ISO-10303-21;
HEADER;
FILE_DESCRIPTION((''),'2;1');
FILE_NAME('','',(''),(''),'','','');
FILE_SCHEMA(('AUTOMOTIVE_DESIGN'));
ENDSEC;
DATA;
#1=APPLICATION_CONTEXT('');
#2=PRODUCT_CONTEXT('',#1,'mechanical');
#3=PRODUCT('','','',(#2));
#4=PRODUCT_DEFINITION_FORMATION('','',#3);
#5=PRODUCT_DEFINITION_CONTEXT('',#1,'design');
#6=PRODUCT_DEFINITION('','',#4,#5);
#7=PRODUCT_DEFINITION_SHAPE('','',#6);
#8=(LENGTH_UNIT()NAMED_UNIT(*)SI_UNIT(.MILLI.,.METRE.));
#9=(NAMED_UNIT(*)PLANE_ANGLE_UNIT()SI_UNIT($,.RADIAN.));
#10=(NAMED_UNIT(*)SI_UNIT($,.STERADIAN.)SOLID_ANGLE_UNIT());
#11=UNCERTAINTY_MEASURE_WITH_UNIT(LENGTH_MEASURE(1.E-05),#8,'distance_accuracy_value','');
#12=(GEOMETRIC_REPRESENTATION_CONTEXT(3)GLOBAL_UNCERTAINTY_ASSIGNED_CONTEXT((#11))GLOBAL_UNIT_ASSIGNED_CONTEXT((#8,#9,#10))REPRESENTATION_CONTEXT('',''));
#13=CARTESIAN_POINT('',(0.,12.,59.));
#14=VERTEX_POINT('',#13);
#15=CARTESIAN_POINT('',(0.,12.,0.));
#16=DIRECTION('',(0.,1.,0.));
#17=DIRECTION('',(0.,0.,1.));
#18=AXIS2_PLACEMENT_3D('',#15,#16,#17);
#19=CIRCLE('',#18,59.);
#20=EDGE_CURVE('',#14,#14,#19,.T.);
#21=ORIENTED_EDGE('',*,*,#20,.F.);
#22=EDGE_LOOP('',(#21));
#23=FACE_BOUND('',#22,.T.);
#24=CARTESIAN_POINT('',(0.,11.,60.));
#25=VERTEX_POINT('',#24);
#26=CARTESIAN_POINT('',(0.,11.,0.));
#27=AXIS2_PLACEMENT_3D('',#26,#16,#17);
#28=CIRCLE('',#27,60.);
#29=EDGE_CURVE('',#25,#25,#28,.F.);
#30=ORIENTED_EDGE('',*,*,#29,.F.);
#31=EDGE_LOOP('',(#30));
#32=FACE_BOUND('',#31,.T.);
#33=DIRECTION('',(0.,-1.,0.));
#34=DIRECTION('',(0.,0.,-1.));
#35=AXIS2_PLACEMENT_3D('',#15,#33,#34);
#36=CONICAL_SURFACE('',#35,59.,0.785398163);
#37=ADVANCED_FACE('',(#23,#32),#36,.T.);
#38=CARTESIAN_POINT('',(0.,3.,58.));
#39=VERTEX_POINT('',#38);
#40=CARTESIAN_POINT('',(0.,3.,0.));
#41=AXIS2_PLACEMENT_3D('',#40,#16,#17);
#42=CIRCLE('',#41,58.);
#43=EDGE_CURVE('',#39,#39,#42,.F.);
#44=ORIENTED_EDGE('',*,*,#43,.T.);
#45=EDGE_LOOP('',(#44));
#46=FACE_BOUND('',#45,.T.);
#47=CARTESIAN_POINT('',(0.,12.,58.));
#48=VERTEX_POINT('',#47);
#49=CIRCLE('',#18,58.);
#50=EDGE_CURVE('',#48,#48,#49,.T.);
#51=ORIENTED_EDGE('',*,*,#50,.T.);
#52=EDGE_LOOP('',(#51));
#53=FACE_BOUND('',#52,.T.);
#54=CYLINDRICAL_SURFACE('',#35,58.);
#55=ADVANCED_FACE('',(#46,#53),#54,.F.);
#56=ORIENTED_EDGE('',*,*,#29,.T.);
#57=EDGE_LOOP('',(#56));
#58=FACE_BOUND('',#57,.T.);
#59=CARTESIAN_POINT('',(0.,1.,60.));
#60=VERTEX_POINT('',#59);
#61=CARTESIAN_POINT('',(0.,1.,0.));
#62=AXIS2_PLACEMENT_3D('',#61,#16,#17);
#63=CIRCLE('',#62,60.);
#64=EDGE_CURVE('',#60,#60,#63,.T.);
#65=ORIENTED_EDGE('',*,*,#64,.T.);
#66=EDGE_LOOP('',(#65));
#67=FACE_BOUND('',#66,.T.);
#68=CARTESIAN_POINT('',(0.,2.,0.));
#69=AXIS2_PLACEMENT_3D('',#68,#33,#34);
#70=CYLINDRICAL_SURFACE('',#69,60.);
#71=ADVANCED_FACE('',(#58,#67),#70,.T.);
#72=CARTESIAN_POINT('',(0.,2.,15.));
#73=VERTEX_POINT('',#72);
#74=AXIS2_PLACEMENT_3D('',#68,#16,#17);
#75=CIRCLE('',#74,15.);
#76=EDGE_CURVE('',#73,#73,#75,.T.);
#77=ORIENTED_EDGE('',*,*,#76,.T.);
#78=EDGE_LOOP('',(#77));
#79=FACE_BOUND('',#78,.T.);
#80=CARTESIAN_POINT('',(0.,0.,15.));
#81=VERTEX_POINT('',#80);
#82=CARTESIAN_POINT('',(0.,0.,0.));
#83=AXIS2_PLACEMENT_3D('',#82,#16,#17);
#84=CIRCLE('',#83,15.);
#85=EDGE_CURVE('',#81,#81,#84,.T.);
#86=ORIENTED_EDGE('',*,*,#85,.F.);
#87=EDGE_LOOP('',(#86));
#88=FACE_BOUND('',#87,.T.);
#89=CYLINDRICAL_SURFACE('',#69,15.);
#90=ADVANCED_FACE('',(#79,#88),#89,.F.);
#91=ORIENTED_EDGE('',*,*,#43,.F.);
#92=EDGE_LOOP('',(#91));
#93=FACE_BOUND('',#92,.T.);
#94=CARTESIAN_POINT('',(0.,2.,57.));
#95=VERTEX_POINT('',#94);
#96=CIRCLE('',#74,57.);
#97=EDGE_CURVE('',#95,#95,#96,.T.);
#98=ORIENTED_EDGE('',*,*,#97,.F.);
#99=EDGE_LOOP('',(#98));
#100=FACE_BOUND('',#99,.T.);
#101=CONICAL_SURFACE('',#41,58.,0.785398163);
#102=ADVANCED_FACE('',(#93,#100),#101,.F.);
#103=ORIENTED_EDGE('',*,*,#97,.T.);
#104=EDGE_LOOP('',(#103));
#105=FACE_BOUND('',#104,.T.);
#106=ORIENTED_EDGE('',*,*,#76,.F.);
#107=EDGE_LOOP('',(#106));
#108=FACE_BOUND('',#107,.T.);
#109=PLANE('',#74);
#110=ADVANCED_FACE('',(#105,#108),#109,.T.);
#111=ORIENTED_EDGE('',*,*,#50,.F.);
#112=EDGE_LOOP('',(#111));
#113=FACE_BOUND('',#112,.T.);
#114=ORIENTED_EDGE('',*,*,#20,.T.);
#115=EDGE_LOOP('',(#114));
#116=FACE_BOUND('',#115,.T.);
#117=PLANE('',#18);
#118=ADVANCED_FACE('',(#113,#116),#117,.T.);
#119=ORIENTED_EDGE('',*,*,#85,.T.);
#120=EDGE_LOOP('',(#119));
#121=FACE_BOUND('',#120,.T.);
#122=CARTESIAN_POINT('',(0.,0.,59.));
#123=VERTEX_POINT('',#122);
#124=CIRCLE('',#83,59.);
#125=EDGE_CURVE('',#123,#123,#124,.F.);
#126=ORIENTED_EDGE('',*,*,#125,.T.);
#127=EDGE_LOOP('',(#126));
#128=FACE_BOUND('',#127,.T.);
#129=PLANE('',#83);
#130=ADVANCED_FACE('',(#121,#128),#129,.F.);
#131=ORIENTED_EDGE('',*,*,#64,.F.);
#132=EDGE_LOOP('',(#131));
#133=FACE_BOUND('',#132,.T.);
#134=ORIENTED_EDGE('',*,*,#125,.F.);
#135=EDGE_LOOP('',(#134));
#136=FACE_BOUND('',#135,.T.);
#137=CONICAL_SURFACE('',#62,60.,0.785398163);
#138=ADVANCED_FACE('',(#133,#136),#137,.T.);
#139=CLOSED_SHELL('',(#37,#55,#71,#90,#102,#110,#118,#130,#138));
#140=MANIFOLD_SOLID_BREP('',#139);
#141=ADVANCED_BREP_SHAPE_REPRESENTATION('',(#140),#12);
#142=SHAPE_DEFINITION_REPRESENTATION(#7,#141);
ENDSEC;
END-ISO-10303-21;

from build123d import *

# Parameters (mm, degrees)
SKICA1_R                = 60
SKICA1_R_2              = 15
P_IDAT_VYSUNUT_M1_DEPTH = 2
SKICA2_R                = 60
SKICA2_R_2              = 58
P_IDAT_VYSUNUT_M2_DEPTH = 10
ZKOSEN_1_SIZE           = 1
ZKOSEN_2_SIZE           = 1
ZKOSEN_3_SIZE           = 1


with BuildPart() as part:
    # Skica1 → Přidat vysunutím1 (new body)
    with BuildSketch(Plane(origin=(0, 0, 0), x_dir=(1, 0, 0), z_dir=(0, 1, 0))):
        with Locations(Location((0, 0, 0), (0, 0, 270))):
            Circle(SKICA1_R)
        with Locations(Location((0, 0, 0), (0, 0, 270))):
            Circle(SKICA1_R_2, mode=Mode.SUBTRACT)
    extrude(amount=P_IDAT_VYSUNUT_M1_DEPTH)

    # Skica2 → Přidat vysunutím2 (add)
    with BuildSketch(Plane(origin=(0, 2, 0), x_dir=(1, 0, 0), z_dir=(0, 1, 0))):
        with Locations(Location((0, 0, 0), (0, 0, 270))):
            Circle(SKICA2_R)
        with Locations(Location((0, 0, 0), (0, 0, 270))):
            Circle(SKICA2_R_2, mode=Mode.SUBTRACT)
    extrude(amount=P_IDAT_VYSUNUT_M2_DEPTH)

    # Zkosení1
    zkosen_1_edges = [part.edges().sort_by_distance(p)[0] for p in [
        (0, 2, -58),
    ]]
    chamfer(zkosen_1_edges, length=ZKOSEN_1_SIZE)

    # Zkosení2
    zkosen_2_edges = [part.edges().sort_by_distance(p)[0] for p in [
        (0, 0, -60),
    ]]
    chamfer(zkosen_2_edges, length=ZKOSEN_2_SIZE)

    # Zkosení3
    zkosen_3_edges = [part.edges().sort_by_distance(p)[0] for p in [
        (0, 12, -60),
    ]]
    chamfer(zkosen_3_edges, length=ZKOSEN_3_SIZE)


solid = part.part
